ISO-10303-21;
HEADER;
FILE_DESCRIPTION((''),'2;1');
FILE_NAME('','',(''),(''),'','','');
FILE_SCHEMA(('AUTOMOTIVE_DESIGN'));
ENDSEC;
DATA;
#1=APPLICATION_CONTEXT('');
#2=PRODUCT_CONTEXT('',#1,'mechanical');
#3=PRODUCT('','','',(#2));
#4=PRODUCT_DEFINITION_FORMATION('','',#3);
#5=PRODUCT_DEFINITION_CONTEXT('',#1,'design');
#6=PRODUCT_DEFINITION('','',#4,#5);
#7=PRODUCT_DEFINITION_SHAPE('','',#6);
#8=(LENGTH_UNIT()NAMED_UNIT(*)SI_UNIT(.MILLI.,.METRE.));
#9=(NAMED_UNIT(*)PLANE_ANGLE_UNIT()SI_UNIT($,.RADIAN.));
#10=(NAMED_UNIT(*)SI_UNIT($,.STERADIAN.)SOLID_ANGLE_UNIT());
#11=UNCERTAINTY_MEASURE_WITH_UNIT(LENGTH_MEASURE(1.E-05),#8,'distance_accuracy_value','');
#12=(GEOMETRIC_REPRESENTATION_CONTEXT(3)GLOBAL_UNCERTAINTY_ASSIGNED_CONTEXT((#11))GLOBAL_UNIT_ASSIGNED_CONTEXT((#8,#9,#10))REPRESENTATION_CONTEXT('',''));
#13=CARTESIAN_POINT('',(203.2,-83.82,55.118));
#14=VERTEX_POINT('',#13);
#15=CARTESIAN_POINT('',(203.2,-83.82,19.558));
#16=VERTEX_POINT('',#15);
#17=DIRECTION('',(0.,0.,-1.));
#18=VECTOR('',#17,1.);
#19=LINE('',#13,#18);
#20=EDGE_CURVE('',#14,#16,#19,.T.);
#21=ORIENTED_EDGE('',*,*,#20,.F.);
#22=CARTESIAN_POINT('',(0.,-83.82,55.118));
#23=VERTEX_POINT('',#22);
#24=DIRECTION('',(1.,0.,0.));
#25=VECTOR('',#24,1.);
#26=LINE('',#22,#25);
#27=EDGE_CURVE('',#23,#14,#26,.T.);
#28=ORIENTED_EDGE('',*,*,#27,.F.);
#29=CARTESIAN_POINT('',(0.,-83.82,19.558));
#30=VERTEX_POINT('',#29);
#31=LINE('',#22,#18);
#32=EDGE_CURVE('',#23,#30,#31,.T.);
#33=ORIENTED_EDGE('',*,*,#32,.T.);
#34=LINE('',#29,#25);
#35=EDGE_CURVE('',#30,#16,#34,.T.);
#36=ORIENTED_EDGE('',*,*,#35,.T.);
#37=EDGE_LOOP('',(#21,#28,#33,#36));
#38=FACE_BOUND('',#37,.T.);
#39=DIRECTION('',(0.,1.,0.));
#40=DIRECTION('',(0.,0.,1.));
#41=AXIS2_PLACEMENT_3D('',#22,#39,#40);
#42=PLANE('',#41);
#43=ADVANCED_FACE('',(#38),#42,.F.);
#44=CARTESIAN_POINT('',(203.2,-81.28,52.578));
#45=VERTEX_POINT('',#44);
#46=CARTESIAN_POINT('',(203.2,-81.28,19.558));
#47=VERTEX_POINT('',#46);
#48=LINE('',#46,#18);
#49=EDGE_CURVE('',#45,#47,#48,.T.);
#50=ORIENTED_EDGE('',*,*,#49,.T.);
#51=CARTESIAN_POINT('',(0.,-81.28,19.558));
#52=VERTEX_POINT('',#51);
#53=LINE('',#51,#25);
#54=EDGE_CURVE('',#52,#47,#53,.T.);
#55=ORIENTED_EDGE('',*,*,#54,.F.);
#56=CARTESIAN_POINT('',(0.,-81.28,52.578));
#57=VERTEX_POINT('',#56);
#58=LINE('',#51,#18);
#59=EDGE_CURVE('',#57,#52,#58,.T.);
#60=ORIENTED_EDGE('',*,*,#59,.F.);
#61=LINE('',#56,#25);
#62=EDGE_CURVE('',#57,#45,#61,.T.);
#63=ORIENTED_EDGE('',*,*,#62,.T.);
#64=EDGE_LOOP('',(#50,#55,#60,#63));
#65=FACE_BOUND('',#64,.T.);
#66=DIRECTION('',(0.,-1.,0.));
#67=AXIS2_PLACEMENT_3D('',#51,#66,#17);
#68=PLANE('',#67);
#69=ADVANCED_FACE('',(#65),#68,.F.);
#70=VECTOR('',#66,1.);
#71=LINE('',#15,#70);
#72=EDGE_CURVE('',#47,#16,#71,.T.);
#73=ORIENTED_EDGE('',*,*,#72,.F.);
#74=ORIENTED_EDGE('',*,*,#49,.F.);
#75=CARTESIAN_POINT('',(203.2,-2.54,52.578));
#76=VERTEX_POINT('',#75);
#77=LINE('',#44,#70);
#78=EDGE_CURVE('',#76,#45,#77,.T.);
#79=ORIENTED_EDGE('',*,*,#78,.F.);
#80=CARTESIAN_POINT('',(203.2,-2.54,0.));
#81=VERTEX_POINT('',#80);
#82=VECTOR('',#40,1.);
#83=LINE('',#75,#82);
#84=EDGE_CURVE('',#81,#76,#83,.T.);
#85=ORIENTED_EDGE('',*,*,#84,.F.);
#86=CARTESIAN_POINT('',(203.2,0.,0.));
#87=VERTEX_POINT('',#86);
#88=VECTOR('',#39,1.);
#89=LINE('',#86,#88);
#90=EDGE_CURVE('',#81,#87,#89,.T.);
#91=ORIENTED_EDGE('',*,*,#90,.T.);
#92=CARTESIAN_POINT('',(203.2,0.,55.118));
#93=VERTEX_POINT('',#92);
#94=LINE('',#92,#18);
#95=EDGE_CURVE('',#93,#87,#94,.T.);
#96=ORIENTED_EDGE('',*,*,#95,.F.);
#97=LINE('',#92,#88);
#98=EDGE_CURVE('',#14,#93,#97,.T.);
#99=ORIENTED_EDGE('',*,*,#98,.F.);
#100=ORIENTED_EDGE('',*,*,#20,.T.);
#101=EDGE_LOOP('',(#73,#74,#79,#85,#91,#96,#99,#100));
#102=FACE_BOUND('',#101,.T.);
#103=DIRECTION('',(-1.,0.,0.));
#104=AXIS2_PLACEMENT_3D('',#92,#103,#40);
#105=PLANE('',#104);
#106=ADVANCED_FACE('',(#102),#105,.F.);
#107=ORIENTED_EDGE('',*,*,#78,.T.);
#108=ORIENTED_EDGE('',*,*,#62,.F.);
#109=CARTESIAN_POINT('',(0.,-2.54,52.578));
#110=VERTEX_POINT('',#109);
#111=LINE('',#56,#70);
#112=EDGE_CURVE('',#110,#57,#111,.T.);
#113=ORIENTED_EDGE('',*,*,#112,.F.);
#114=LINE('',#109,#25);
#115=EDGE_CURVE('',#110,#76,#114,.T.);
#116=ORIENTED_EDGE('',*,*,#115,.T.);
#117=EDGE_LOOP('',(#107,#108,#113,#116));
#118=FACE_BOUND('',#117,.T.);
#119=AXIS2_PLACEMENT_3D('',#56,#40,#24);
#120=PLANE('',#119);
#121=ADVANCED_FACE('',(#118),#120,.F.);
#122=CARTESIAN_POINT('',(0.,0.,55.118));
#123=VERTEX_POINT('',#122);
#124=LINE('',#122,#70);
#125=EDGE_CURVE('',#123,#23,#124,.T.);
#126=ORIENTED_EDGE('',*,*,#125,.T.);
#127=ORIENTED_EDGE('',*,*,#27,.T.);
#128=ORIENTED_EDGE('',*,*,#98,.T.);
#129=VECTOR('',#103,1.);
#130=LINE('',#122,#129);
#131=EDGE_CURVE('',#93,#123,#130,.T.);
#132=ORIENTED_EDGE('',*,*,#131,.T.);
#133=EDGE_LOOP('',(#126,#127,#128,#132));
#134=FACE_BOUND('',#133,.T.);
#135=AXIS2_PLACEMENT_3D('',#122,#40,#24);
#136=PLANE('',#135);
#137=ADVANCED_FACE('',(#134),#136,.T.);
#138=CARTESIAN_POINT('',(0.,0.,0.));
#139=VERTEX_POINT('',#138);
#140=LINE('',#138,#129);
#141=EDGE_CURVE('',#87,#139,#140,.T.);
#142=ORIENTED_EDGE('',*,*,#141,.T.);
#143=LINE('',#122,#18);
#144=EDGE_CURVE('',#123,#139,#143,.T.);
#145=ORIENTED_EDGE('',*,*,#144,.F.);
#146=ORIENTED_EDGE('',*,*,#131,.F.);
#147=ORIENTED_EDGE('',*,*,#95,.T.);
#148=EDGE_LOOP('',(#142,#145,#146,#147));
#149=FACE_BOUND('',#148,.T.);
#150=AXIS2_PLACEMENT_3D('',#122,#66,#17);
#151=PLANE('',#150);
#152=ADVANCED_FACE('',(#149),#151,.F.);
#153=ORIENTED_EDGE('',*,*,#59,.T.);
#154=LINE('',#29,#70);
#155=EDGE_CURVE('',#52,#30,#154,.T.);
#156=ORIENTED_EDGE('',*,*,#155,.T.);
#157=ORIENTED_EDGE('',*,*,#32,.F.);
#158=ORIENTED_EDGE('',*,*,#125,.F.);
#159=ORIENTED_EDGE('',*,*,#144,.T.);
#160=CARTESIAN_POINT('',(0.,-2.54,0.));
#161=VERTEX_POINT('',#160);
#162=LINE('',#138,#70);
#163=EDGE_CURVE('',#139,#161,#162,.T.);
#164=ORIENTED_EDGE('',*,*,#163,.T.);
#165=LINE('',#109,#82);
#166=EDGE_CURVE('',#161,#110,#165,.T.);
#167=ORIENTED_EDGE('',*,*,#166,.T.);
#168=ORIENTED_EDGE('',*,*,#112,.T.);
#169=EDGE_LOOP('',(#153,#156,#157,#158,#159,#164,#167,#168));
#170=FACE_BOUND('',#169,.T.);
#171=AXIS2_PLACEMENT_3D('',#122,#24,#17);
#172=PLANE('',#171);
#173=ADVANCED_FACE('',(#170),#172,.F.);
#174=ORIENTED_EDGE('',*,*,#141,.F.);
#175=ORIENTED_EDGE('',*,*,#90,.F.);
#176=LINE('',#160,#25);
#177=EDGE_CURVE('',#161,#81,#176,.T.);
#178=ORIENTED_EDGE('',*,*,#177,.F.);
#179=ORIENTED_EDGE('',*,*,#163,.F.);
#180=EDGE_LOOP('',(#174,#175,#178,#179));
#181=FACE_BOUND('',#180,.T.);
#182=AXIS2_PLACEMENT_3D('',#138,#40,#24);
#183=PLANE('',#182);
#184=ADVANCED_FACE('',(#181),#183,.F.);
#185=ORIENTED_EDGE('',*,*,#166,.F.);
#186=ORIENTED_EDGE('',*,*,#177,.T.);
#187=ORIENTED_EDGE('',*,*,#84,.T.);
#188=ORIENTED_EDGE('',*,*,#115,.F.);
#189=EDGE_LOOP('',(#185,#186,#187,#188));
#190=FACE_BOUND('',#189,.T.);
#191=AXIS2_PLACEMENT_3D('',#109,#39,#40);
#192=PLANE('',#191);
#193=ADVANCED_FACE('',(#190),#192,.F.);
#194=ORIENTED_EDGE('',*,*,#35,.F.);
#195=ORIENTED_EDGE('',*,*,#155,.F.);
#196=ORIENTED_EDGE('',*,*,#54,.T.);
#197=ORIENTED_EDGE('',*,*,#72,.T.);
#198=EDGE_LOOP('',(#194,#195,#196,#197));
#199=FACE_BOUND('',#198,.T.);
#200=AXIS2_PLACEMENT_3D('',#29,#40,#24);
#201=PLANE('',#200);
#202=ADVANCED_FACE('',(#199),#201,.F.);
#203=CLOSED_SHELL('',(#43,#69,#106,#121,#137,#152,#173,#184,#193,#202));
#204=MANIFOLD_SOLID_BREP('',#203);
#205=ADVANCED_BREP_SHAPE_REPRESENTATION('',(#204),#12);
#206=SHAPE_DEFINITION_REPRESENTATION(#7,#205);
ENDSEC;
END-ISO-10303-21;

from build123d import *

# Parameters (mm, degrees)
SKETCH1_W           = 203.2
SKETCH1_H           = 83.82
BOSS_EXTRUDE1_DEPTH = 55.118
CUT_EXTRUDE1_DEPTH  = 227.614267697


with BuildPart() as part:
    # Sketch1 → Boss-Extrude1 (new body)
    with BuildSketch(Plane.XY):
        with Locations((101.6, -41.91)):
            Rectangle(SKETCH1_W, SKETCH1_H)
    extrude(amount=BOSS_EXTRUDE1_DEPTH)

    # Sketch2 → Cut-Extrude1 (cut, through all)
    with BuildSketch(Plane(origin=(203.2, 0, 0), x_dir=(0, 0, -1), z_dir=(1, 0, 0))):
        Polygon((-19.558, -83.82), (-19.558, -81.28), (-52.578, -81.28), (-52.578, -2.54), (0, -2.54), (0, -83.82), align=None)
    extrude(amount=-CUT_EXTRUDE1_DEPTH, mode=Mode.SUBTRACT)


solid = part.part
